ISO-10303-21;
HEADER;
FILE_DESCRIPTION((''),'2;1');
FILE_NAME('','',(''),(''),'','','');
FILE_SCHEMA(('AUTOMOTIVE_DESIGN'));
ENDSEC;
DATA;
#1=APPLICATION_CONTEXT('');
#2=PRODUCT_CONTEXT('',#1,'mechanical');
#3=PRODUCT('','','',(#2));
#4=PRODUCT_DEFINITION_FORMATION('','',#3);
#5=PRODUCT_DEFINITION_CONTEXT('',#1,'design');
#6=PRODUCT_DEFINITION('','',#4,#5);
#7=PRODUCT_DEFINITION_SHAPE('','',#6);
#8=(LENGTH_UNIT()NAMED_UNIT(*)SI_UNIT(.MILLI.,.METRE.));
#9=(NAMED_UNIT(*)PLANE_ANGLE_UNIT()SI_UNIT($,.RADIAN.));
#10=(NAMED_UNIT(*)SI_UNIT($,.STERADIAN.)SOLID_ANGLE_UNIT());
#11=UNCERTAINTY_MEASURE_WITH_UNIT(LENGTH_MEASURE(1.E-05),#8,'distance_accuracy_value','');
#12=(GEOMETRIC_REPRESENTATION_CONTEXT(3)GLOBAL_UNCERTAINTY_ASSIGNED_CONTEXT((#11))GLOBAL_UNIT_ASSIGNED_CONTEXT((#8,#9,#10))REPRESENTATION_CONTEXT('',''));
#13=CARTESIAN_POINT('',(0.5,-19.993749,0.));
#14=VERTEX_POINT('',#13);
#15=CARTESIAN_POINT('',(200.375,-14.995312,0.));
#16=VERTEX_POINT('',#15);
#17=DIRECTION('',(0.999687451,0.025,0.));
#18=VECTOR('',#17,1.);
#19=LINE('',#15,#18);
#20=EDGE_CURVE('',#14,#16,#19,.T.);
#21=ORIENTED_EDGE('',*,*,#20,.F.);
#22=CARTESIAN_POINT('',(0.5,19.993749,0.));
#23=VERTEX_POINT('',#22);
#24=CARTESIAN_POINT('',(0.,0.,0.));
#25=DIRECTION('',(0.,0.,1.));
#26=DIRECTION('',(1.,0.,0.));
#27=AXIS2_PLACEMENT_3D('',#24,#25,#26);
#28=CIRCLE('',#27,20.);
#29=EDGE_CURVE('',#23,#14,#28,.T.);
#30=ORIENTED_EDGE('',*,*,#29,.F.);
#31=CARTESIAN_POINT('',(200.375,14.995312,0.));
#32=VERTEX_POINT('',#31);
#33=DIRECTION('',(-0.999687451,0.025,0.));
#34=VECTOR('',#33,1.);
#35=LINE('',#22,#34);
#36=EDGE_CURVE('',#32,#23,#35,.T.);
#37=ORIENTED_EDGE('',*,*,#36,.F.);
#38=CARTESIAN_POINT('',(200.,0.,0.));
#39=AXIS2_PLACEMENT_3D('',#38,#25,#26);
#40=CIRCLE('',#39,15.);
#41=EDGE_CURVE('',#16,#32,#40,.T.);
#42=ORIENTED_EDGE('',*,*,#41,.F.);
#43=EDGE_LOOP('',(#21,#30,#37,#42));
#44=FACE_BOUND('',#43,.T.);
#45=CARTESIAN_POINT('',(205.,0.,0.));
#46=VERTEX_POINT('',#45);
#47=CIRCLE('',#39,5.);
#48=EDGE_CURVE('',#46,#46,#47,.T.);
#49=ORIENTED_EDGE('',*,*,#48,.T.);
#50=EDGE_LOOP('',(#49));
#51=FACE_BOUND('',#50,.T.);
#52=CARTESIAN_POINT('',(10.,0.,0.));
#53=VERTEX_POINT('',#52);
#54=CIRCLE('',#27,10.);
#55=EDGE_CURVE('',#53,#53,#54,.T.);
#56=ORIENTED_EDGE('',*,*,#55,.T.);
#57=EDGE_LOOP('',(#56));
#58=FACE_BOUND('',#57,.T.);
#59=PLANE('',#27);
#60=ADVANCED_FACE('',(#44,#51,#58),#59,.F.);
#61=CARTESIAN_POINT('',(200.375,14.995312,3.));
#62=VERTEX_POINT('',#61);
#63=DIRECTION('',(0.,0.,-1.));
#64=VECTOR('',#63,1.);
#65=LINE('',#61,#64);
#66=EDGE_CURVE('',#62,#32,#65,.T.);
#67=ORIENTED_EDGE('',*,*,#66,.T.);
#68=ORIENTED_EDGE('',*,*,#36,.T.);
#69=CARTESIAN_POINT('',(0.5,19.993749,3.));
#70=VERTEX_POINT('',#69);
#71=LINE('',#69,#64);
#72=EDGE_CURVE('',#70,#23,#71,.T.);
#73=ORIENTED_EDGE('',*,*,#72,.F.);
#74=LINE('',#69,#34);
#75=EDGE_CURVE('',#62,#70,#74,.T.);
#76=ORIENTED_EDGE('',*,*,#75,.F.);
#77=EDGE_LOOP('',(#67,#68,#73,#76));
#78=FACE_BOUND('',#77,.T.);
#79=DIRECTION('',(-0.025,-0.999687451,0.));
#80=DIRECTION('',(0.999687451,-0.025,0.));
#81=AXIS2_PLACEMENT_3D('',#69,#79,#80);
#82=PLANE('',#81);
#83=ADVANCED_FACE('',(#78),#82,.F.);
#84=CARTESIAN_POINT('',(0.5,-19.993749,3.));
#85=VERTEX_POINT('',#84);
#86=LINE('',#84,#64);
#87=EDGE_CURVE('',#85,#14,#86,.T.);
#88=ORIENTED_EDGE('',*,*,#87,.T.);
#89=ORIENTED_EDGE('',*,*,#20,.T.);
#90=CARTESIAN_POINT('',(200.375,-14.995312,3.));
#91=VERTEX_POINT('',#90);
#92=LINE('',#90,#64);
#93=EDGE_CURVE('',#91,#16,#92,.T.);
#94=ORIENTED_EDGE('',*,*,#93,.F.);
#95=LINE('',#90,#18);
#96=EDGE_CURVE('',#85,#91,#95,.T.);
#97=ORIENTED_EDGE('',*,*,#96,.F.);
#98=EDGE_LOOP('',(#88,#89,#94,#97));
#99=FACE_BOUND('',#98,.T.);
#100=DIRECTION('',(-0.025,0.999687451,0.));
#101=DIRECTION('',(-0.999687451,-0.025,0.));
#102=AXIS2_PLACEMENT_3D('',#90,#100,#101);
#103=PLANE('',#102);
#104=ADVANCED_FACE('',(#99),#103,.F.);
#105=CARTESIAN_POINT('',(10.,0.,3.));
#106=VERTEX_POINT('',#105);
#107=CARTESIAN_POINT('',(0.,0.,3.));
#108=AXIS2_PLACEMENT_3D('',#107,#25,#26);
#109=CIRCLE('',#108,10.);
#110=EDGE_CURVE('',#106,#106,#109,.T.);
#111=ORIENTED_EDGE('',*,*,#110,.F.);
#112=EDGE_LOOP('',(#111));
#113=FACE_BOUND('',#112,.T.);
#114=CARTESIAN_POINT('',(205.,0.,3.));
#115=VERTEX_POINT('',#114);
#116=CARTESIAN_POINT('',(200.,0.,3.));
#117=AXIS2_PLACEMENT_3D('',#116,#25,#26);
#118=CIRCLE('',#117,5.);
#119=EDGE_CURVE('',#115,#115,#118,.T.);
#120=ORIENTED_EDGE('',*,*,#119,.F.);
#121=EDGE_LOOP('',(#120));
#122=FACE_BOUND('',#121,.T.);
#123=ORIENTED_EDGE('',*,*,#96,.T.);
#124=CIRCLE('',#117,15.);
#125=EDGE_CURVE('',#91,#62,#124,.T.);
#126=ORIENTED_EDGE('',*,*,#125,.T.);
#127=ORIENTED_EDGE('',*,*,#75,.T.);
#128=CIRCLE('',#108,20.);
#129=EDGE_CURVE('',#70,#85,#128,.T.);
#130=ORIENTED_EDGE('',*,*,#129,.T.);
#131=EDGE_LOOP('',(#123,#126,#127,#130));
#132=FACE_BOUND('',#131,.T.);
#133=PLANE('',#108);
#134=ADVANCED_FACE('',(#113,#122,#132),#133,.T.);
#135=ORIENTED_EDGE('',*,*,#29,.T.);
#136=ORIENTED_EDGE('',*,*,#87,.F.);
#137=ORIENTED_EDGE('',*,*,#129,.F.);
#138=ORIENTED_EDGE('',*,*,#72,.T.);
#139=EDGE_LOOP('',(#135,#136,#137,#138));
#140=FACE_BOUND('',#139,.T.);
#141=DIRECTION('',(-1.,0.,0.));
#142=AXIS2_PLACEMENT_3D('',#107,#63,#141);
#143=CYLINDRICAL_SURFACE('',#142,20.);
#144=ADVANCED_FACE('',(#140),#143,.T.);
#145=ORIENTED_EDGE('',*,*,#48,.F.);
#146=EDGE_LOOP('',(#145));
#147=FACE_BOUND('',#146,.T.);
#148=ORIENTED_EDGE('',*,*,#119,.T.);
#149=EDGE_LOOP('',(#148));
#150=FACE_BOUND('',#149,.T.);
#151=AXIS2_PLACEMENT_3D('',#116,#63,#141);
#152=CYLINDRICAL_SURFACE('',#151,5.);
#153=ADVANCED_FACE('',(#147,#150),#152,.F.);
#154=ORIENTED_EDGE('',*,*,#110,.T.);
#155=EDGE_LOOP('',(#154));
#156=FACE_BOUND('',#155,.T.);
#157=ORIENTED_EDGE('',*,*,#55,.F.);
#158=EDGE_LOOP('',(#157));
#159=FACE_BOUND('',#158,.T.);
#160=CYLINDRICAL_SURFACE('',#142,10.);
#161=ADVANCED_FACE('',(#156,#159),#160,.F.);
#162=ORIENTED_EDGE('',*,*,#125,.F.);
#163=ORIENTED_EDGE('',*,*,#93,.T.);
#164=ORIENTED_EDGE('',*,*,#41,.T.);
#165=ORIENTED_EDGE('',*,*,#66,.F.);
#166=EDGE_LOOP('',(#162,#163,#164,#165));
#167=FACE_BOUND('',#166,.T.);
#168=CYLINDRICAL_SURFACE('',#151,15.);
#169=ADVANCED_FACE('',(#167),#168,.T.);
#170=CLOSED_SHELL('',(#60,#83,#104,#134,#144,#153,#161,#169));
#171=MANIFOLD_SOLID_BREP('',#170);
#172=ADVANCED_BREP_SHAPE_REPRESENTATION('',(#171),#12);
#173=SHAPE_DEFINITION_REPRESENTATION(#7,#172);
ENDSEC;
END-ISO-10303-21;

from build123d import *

# Parameters (mm, degrees)
SKETCH1_R           = 10
SKETCH1_R_2         = 5
BOSS_EXTRUDE1_DEPTH = 3


with BuildPart() as part:
    # Sketch1 → Boss-Extrude1 (new body)
    with BuildSketch(Plane.XY):
        with BuildLine():
            Line((0.5, 19.993749023), (200.375, 14.995311767))
            ThreePointArc((200.375, 14.995311767), (215, 0), (200.375, -14.995311767))
            Line((200.375, -14.995311767), (0.5, -19.993749023))
            ThreePointArc((0.5, -19.993749023), (-20, 0), (0.5, 19.993749023))
        make_face()
        Circle(SKETCH1_R, mode=Mode.SUBTRACT)
        with Locations((200, 0)):
            Circle(SKETCH1_R_2, mode=Mode.SUBTRACT)
    extrude(amount=BOSS_EXTRUDE1_DEPTH)


solid = part.part
